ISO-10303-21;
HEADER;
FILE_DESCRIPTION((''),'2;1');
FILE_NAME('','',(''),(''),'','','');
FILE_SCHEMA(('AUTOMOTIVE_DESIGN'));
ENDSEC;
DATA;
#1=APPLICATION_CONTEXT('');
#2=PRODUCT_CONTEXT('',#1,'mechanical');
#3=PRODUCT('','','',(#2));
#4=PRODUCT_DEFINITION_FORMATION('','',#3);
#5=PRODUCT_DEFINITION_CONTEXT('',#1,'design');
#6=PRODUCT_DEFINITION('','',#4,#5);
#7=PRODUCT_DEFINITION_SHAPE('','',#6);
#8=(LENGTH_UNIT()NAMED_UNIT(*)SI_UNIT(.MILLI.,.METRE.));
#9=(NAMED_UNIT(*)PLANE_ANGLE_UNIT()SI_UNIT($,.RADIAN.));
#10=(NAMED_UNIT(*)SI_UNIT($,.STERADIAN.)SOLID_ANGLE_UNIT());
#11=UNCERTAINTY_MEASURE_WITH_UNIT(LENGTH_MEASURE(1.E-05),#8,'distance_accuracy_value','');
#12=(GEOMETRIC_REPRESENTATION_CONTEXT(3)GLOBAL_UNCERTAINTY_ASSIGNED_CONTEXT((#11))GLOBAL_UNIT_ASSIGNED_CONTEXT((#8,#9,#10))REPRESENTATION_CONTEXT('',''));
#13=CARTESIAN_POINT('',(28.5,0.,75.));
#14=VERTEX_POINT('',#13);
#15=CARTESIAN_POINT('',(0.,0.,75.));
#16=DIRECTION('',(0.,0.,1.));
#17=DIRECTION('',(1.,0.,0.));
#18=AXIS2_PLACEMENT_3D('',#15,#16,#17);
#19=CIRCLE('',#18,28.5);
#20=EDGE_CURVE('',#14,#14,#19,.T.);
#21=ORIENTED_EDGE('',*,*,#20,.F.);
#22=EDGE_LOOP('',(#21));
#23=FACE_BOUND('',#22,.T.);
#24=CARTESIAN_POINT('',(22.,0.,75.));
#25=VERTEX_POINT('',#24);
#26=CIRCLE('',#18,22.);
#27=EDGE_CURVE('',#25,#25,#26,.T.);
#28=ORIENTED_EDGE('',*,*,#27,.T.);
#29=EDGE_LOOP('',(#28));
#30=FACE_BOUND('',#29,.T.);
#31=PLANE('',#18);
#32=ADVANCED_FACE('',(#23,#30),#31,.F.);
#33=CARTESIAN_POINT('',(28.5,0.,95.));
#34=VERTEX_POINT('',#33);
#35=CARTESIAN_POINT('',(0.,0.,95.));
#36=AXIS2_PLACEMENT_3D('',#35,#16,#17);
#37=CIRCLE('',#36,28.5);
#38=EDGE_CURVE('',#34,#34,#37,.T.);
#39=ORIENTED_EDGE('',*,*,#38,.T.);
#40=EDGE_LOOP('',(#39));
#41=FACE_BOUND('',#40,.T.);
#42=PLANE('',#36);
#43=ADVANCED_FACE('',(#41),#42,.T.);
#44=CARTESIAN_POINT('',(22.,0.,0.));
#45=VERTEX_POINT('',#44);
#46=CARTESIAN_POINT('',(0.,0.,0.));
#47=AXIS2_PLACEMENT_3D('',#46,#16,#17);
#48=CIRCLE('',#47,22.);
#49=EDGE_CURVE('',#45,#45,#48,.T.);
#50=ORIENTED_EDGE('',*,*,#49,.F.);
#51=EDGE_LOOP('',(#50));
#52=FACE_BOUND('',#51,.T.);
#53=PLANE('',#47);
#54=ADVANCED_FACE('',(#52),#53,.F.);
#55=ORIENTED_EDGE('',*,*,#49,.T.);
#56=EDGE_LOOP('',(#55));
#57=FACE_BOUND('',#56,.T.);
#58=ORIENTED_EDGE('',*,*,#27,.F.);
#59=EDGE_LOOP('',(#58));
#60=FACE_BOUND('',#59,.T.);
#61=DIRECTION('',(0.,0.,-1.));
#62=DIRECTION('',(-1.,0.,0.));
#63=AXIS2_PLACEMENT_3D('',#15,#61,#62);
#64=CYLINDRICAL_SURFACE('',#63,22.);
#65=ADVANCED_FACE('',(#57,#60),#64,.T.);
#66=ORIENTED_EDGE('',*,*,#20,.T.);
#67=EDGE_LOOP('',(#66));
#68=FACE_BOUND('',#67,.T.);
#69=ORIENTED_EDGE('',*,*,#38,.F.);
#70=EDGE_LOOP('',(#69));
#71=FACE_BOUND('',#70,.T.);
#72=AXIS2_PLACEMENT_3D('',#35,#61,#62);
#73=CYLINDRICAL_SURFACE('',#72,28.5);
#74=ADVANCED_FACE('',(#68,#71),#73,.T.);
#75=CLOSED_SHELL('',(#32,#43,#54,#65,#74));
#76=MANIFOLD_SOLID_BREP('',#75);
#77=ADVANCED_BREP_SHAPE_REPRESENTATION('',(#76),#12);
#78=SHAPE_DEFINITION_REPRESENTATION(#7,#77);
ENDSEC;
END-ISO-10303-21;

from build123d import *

# Parameters (mm, degrees)
SKETCH1_R           = 22
BOSS_EXTRUDE1_DEPTH = 75
SKETCH2_R           = 28.5
BOSS_EXTRUDE2_DEPTH = 20


with BuildPart() as part:
    # Sketch1 → Boss-Extrude1 (new body)
    with BuildSketch(Plane.XY):
        Circle(SKETCH1_R)
    extrude(amount=BOSS_EXTRUDE1_DEPTH)

    # Sketch2 → Boss-Extrude2 (add)
    with BuildSketch(Plane.XY.offset(75)):
        Circle(SKETCH2_R)
    extrude(amount=BOSS_EXTRUDE2_DEPTH)


solid = part.part
